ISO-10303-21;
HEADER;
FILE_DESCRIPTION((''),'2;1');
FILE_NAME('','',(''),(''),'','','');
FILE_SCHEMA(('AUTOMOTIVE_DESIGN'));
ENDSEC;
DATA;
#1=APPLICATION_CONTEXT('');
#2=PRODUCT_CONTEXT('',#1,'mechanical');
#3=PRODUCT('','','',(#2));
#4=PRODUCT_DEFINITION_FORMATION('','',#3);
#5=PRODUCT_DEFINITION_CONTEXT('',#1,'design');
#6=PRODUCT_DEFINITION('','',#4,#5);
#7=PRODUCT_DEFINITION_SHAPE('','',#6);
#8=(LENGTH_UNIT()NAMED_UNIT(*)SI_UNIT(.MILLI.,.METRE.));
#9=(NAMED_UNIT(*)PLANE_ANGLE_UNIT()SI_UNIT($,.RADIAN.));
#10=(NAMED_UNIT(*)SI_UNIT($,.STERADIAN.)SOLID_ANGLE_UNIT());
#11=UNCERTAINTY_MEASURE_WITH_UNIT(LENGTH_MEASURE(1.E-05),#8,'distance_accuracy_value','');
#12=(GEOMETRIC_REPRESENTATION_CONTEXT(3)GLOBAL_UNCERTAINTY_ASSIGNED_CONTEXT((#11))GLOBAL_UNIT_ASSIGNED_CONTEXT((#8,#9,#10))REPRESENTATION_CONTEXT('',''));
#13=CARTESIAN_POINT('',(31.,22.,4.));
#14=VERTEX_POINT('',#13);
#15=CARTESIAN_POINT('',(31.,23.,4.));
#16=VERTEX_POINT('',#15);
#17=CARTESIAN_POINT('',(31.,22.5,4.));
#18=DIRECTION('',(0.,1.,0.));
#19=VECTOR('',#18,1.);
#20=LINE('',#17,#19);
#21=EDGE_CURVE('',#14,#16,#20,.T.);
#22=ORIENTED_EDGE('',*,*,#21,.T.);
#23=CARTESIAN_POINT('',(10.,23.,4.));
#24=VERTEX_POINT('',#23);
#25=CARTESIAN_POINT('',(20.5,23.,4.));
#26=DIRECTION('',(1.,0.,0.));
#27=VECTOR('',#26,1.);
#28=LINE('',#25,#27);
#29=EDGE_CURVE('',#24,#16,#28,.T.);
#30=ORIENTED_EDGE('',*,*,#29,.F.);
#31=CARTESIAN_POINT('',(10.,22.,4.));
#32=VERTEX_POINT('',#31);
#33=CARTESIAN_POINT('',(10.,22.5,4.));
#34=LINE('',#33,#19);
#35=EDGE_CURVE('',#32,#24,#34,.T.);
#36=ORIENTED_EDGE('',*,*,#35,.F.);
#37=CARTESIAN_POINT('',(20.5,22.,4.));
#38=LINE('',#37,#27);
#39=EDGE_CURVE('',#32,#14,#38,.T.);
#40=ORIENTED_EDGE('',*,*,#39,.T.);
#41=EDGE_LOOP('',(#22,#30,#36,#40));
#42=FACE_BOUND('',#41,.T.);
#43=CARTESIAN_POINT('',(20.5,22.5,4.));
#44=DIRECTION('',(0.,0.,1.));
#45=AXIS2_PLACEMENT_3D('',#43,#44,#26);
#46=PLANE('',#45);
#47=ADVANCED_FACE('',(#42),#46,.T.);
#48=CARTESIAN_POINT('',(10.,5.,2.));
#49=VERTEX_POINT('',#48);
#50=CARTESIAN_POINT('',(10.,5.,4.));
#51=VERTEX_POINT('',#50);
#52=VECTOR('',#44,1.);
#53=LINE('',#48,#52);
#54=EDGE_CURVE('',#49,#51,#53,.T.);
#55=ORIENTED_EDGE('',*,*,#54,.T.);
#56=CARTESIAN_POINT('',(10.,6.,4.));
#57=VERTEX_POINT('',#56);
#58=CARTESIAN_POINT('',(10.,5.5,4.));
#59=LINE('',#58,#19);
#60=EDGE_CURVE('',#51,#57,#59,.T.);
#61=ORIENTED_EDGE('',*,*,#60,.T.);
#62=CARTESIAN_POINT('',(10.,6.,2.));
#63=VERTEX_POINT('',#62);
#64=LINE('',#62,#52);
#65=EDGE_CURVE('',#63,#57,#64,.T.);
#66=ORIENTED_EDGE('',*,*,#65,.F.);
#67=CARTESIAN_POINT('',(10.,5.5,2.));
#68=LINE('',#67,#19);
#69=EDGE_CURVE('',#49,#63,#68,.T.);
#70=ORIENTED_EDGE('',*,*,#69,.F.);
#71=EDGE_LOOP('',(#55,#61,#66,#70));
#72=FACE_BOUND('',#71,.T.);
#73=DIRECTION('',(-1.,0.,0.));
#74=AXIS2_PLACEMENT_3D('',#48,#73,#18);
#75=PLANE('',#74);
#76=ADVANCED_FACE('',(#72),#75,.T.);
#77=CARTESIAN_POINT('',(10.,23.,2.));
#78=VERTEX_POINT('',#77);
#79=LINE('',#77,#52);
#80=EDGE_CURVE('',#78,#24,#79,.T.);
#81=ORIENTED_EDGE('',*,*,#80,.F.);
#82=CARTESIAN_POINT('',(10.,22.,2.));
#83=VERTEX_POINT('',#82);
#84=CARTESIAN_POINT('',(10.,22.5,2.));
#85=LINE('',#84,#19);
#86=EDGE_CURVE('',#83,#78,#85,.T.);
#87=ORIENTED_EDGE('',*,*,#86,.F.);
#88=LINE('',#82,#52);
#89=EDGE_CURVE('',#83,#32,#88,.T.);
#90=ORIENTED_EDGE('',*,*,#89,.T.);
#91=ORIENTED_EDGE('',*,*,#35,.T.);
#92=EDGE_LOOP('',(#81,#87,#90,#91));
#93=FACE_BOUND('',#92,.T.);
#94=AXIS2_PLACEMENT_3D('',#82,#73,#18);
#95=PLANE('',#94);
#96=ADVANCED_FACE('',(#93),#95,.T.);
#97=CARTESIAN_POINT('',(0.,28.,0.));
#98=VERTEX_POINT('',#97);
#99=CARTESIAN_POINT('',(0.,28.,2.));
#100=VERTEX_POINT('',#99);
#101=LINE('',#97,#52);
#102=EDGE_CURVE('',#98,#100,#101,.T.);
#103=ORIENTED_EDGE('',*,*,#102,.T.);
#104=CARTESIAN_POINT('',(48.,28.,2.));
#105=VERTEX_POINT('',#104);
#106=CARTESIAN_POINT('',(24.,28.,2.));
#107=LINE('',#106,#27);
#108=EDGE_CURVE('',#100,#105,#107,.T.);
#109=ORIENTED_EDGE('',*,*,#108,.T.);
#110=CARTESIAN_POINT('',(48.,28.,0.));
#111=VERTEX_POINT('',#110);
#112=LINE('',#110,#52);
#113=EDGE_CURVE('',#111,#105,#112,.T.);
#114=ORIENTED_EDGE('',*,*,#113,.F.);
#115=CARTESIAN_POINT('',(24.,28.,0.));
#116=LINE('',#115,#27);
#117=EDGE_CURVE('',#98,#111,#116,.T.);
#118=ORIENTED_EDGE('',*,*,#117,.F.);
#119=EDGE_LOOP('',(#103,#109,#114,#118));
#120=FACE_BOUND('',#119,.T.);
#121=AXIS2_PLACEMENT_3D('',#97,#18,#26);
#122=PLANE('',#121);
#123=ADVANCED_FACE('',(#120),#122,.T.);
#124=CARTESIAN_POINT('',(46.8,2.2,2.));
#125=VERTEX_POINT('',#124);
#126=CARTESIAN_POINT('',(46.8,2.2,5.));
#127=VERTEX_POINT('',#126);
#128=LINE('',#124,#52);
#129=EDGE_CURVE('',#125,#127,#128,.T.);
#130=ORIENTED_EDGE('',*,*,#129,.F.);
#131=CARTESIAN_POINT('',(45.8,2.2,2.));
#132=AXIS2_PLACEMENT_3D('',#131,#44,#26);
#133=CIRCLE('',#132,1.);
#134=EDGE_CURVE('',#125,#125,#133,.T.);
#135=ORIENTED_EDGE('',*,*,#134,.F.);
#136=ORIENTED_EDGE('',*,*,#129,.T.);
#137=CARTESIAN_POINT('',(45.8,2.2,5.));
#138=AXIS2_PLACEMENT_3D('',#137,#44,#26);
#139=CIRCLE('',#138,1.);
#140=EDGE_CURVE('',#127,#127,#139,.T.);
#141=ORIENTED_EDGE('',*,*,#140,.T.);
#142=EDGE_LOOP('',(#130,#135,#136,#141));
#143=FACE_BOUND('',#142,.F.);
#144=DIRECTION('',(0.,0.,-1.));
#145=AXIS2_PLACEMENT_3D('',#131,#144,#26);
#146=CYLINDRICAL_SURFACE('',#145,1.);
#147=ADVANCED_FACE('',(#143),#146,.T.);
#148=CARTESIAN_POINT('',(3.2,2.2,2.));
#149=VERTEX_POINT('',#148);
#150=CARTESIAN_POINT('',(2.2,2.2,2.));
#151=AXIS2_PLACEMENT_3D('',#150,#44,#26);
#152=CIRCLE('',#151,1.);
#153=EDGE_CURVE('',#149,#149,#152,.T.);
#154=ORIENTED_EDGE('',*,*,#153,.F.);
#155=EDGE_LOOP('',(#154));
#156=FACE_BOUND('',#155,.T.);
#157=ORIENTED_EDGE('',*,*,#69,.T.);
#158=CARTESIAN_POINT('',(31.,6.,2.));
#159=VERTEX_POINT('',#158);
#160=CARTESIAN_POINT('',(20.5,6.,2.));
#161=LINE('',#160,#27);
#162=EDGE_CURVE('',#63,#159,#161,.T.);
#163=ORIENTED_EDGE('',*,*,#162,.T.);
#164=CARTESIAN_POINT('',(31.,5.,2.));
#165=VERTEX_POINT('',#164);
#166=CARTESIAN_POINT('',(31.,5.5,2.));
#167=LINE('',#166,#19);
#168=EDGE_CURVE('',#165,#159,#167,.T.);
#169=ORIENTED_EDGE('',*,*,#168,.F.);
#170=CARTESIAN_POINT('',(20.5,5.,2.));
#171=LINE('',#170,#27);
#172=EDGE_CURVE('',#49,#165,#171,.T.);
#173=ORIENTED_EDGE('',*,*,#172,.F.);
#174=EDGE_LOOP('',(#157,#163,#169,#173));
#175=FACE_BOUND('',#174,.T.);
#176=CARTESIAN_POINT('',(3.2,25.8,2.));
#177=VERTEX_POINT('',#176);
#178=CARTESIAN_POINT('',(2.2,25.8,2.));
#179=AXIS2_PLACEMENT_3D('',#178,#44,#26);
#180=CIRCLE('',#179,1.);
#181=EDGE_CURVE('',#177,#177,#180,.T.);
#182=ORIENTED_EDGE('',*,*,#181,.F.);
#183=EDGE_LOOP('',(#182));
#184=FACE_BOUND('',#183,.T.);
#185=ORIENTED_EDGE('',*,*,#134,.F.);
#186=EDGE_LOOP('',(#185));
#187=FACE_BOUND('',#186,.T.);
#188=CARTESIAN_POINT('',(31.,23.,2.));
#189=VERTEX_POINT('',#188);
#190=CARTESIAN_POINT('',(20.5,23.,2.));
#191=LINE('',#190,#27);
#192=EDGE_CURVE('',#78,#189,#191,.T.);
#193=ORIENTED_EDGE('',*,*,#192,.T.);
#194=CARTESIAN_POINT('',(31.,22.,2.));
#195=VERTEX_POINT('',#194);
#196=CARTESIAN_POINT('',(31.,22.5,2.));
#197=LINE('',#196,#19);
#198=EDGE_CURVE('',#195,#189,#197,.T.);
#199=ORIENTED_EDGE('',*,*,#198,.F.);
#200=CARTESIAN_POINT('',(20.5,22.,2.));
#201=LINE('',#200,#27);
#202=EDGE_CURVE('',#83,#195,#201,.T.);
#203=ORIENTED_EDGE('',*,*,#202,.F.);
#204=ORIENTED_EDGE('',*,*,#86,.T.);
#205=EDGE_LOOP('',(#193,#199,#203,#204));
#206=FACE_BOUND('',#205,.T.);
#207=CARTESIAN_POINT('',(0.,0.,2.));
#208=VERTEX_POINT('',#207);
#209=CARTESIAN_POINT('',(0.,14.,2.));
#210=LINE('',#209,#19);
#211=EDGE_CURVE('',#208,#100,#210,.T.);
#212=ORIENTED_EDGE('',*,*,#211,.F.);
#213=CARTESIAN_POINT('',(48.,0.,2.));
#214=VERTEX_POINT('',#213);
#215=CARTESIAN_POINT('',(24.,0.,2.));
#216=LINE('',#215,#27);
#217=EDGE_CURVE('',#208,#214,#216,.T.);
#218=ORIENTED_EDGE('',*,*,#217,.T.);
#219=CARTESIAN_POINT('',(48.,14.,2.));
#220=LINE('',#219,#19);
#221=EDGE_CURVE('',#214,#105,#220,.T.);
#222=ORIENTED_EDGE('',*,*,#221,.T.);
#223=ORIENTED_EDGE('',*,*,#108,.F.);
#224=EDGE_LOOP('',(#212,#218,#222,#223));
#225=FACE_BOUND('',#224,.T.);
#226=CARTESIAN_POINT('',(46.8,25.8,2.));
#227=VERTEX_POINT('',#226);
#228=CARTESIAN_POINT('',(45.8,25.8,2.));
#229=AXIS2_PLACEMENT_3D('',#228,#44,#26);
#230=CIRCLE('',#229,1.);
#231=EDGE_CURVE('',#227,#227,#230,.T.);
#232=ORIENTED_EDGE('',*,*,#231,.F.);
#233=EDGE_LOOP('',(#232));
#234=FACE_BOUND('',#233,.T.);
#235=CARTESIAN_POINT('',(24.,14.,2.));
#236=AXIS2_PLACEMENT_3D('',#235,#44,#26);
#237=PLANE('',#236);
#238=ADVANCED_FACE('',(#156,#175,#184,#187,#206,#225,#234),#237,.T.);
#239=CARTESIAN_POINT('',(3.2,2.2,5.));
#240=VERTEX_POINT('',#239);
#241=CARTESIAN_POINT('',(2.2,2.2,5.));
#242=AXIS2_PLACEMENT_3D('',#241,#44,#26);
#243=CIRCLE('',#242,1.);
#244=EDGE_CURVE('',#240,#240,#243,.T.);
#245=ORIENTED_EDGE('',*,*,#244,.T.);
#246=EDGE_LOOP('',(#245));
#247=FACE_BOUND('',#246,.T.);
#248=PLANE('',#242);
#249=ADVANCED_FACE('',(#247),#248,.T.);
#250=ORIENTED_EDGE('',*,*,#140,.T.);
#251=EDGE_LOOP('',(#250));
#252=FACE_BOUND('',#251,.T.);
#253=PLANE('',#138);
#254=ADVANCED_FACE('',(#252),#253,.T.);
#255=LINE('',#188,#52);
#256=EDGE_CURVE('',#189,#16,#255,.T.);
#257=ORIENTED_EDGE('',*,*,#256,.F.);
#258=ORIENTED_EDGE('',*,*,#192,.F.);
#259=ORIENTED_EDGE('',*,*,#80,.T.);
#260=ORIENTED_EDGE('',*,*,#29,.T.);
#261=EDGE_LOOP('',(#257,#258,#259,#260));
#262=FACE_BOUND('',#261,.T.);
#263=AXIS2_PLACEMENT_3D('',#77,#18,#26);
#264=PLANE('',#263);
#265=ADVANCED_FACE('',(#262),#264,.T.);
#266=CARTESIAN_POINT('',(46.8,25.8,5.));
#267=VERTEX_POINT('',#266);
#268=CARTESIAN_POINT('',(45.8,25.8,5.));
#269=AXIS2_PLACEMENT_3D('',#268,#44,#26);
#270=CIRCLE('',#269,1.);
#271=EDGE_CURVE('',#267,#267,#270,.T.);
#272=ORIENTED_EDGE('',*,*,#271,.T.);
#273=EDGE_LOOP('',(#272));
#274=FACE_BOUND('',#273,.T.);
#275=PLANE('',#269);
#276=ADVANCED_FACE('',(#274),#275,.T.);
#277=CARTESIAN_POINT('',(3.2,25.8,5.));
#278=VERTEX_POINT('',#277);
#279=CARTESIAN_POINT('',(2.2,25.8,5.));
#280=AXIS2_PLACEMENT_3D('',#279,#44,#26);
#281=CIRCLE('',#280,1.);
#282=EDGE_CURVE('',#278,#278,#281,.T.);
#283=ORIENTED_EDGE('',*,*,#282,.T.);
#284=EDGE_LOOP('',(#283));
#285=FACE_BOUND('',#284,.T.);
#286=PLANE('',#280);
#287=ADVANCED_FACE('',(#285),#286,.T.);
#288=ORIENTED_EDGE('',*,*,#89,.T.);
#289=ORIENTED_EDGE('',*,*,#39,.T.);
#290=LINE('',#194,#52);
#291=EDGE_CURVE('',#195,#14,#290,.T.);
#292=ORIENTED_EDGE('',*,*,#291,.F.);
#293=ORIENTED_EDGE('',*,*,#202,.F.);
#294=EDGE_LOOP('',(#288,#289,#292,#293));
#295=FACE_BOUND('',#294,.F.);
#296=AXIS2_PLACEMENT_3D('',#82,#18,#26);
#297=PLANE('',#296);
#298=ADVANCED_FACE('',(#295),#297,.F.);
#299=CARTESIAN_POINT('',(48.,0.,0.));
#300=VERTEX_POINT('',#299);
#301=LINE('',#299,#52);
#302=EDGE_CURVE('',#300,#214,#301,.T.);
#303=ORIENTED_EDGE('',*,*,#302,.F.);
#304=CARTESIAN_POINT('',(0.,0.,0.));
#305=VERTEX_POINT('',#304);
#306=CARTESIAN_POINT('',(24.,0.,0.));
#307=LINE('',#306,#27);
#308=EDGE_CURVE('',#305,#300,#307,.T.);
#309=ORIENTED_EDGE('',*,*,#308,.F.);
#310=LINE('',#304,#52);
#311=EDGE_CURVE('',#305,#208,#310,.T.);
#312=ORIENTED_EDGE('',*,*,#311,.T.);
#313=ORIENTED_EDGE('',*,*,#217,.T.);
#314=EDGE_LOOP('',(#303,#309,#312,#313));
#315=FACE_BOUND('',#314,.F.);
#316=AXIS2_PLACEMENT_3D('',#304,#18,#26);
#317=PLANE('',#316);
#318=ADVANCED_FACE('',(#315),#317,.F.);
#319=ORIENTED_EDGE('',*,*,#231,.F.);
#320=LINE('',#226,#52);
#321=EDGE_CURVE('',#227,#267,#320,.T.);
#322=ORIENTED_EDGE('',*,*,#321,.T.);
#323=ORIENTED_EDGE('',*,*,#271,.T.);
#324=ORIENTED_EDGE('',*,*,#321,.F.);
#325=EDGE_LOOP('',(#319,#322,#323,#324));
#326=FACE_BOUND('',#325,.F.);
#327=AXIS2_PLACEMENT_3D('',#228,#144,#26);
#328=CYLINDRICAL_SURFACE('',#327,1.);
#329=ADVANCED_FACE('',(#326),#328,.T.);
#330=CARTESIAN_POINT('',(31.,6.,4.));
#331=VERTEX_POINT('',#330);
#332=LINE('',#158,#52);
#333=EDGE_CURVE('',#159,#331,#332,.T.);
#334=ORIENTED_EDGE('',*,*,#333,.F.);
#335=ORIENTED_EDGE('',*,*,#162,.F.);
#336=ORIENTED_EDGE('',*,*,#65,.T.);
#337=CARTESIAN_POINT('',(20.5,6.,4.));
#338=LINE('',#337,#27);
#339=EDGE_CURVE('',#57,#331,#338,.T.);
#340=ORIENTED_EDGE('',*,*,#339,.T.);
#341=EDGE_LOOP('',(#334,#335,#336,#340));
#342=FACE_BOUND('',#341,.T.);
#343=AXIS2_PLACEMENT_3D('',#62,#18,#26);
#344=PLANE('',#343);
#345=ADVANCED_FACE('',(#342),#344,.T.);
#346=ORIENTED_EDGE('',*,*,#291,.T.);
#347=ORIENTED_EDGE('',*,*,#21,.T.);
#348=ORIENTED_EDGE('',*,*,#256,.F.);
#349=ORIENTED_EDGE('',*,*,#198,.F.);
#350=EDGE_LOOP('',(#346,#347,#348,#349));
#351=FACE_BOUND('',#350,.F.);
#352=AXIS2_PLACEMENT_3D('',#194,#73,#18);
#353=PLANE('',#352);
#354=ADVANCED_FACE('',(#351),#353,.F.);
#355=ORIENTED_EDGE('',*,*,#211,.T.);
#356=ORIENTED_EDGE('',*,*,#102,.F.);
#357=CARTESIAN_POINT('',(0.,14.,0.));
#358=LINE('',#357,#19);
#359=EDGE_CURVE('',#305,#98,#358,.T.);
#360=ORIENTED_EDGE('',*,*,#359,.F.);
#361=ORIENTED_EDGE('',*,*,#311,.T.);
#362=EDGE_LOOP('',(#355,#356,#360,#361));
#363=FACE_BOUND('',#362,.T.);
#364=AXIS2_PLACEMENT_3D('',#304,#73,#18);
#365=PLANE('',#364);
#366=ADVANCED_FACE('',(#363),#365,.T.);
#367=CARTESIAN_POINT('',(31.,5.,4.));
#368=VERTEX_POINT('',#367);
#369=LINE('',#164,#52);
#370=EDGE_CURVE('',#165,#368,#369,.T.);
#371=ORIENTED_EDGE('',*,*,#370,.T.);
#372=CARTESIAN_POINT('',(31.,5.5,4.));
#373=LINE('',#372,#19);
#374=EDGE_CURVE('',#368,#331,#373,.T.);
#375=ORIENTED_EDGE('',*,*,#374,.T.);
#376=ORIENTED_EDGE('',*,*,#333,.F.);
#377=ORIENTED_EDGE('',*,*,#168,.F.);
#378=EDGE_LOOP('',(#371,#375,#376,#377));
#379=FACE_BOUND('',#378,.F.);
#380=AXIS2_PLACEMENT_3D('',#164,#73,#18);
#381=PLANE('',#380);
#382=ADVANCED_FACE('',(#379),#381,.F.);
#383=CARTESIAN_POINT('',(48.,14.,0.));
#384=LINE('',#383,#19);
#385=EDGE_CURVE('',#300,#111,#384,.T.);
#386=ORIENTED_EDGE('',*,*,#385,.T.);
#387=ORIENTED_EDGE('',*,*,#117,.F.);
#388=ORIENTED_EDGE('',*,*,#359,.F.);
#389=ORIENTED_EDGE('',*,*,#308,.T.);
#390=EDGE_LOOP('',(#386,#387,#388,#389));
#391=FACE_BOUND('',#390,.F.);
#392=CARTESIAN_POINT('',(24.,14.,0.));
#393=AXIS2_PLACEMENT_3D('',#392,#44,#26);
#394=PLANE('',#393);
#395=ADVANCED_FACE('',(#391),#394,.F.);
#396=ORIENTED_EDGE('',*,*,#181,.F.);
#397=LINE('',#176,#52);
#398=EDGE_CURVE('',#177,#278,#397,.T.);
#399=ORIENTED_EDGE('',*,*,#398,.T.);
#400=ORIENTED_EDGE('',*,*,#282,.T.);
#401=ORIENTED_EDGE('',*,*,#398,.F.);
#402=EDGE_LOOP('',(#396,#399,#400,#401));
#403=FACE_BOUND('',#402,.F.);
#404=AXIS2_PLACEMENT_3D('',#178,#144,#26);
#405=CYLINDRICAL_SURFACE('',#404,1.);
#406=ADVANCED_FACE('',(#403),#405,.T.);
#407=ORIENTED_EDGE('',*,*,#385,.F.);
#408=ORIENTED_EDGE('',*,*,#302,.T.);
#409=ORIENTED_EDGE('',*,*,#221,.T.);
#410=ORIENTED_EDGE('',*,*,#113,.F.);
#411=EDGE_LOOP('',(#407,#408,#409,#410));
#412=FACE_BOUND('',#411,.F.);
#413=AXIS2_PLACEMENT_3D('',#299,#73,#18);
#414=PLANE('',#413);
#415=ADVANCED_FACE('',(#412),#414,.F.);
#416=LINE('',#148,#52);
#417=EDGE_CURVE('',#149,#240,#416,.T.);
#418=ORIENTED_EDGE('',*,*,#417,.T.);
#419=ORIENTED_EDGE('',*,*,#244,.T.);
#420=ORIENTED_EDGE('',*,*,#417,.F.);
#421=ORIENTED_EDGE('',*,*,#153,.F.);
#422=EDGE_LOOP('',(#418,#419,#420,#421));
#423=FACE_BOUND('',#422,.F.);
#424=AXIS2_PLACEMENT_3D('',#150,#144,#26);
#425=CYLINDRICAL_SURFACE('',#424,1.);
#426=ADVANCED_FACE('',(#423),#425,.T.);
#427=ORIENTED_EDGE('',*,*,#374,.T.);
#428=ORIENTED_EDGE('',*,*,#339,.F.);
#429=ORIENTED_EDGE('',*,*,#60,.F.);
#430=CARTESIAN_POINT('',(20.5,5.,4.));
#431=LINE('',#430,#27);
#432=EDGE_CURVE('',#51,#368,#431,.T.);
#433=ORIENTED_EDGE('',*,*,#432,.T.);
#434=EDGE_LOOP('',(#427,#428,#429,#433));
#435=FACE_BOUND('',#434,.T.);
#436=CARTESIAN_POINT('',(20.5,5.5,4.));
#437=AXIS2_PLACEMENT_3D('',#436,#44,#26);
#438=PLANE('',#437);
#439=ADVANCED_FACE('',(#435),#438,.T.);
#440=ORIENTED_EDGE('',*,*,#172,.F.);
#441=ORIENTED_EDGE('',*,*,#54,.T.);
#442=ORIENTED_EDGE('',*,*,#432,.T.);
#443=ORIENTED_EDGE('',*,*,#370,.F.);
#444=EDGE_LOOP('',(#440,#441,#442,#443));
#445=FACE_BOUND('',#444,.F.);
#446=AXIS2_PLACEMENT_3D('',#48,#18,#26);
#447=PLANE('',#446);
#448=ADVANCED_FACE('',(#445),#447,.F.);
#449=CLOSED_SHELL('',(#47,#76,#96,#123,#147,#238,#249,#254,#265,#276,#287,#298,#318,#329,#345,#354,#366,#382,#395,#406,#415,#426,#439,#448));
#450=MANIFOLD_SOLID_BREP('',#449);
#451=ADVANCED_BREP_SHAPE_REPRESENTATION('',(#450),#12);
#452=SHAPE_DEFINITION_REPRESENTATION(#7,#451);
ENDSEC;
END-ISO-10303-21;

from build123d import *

# Parameters (mm, degrees)
SKETCH_W     = 48
SKETCH_H     = 28
PAD_DEPTH    = 2
SKETCH001_R  = 1
PAD001_DEPTH = 3
SKETCH002_W  = 21
SKETCH002_H  = 1
PAD002_DEPTH = 2


with BuildPart() as part:
    # Sketch → Pad (new body)
    with BuildSketch(Plane.XY):
        with Locations((24, 14)):
            Rectangle(SKETCH_W, SKETCH_H)
    extrude(amount=PAD_DEPTH)

    # Sketch001 → Pad001 (new body)
    with BuildSketch(Plane.XY.offset(2)):
        with Locations((2.2, 2.2)):
            Circle(SKETCH001_R)
        with Locations((2.2, 25.8)):
            Circle(SKETCH001_R)
        with Locations((45.8, 25.8)):
            Circle(SKETCH001_R)
        with Locations((45.8, 2.2)):
            Circle(SKETCH001_R)
    extrude(amount=PAD001_DEPTH)

    # Sketch002 → Pad002 (new body)
    with BuildSketch(Plane.XY.offset(2)):
        with Locations((20.5, 22.5)):
            Rectangle(SKETCH002_W, SKETCH002_H)
        with Locations((20.5, 5.5)):
            Rectangle(SKETCH002_W, SKETCH002_H)
    extrude(amount=PAD002_DEPTH)


solid = part.part
